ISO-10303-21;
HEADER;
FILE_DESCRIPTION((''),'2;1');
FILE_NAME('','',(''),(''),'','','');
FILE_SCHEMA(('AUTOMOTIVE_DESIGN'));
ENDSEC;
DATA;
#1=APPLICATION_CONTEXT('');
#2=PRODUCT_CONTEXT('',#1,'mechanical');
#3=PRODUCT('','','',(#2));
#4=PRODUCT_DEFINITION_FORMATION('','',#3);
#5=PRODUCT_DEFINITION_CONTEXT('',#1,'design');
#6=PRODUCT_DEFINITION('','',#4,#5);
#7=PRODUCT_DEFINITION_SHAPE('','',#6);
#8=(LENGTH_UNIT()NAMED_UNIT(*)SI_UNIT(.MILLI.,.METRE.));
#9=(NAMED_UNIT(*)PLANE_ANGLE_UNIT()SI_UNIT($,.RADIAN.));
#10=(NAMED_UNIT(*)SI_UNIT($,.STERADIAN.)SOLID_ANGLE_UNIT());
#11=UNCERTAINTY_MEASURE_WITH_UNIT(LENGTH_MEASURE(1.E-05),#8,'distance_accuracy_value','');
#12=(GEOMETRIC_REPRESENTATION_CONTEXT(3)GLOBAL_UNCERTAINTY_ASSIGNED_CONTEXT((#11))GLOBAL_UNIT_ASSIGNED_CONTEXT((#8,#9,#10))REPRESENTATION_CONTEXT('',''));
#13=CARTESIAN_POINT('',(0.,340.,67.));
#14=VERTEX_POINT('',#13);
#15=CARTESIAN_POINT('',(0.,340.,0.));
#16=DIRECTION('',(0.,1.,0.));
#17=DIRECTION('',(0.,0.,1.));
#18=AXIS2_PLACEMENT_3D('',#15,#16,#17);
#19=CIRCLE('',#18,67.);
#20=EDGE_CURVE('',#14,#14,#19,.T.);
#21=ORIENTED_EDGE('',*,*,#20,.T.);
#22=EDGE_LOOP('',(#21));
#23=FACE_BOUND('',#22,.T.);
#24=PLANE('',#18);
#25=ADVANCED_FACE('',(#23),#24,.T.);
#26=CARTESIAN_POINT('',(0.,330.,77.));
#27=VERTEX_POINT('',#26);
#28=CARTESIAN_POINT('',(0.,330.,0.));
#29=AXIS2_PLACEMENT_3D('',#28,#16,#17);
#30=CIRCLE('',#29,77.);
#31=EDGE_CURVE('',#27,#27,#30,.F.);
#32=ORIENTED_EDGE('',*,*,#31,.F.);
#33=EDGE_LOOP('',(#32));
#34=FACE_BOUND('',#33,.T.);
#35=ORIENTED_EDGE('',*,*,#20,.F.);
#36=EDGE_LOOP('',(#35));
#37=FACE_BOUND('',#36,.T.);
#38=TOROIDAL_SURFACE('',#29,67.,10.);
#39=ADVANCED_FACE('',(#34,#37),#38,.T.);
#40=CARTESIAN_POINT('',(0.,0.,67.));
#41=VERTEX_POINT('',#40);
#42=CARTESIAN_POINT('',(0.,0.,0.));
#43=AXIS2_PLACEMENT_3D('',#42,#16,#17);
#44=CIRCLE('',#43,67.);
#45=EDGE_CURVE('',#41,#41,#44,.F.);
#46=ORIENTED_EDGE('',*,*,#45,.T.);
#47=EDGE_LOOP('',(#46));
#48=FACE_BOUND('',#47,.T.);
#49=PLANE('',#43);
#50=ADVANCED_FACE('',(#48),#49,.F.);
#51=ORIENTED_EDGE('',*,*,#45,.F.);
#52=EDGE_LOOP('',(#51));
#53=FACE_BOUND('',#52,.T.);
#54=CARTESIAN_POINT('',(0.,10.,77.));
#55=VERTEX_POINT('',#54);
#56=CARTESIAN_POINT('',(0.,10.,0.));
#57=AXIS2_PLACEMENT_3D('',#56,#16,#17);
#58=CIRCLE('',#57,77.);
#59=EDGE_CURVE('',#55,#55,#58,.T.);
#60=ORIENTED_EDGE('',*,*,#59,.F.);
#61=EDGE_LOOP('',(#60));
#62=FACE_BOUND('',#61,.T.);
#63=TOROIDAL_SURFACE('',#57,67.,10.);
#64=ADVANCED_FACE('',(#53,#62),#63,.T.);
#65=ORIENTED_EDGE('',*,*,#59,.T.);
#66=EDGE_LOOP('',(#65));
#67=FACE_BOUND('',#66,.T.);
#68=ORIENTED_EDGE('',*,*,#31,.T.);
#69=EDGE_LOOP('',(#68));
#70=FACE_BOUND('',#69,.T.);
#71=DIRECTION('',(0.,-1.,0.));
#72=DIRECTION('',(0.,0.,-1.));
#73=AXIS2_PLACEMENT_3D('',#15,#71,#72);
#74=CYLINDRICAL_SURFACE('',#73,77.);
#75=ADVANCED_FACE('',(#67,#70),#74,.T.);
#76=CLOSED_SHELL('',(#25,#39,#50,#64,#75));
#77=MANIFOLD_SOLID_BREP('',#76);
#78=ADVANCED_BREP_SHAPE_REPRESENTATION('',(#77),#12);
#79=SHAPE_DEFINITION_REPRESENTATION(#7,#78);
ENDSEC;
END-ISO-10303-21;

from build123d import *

# Parameters (mm, degrees)
SKETCH1_R           = 77
BOSS_EXTRUDE1_DEPTH = 340
FILLET1_R           = 10


with BuildPart() as part:
    # Sketch1 → Boss-Extrude1 (new body)
    with BuildSketch(Plane(origin=(0, 0, 0), x_dir=(1, 0, 0), z_dir=(0, 1, 0))):
        Circle(SKETCH1_R)
    extrude(amount=BOSS_EXTRUDE1_DEPTH)

    # Fillet1
    fillet1_edges = [part.edges().sort_by_distance(p)[0] for p in [
        (-77, 0, 0),
        (-77, 340, 0),
    ]]
    fillet(fillet1_edges, radius=FILLET1_R)


solid = part.part
